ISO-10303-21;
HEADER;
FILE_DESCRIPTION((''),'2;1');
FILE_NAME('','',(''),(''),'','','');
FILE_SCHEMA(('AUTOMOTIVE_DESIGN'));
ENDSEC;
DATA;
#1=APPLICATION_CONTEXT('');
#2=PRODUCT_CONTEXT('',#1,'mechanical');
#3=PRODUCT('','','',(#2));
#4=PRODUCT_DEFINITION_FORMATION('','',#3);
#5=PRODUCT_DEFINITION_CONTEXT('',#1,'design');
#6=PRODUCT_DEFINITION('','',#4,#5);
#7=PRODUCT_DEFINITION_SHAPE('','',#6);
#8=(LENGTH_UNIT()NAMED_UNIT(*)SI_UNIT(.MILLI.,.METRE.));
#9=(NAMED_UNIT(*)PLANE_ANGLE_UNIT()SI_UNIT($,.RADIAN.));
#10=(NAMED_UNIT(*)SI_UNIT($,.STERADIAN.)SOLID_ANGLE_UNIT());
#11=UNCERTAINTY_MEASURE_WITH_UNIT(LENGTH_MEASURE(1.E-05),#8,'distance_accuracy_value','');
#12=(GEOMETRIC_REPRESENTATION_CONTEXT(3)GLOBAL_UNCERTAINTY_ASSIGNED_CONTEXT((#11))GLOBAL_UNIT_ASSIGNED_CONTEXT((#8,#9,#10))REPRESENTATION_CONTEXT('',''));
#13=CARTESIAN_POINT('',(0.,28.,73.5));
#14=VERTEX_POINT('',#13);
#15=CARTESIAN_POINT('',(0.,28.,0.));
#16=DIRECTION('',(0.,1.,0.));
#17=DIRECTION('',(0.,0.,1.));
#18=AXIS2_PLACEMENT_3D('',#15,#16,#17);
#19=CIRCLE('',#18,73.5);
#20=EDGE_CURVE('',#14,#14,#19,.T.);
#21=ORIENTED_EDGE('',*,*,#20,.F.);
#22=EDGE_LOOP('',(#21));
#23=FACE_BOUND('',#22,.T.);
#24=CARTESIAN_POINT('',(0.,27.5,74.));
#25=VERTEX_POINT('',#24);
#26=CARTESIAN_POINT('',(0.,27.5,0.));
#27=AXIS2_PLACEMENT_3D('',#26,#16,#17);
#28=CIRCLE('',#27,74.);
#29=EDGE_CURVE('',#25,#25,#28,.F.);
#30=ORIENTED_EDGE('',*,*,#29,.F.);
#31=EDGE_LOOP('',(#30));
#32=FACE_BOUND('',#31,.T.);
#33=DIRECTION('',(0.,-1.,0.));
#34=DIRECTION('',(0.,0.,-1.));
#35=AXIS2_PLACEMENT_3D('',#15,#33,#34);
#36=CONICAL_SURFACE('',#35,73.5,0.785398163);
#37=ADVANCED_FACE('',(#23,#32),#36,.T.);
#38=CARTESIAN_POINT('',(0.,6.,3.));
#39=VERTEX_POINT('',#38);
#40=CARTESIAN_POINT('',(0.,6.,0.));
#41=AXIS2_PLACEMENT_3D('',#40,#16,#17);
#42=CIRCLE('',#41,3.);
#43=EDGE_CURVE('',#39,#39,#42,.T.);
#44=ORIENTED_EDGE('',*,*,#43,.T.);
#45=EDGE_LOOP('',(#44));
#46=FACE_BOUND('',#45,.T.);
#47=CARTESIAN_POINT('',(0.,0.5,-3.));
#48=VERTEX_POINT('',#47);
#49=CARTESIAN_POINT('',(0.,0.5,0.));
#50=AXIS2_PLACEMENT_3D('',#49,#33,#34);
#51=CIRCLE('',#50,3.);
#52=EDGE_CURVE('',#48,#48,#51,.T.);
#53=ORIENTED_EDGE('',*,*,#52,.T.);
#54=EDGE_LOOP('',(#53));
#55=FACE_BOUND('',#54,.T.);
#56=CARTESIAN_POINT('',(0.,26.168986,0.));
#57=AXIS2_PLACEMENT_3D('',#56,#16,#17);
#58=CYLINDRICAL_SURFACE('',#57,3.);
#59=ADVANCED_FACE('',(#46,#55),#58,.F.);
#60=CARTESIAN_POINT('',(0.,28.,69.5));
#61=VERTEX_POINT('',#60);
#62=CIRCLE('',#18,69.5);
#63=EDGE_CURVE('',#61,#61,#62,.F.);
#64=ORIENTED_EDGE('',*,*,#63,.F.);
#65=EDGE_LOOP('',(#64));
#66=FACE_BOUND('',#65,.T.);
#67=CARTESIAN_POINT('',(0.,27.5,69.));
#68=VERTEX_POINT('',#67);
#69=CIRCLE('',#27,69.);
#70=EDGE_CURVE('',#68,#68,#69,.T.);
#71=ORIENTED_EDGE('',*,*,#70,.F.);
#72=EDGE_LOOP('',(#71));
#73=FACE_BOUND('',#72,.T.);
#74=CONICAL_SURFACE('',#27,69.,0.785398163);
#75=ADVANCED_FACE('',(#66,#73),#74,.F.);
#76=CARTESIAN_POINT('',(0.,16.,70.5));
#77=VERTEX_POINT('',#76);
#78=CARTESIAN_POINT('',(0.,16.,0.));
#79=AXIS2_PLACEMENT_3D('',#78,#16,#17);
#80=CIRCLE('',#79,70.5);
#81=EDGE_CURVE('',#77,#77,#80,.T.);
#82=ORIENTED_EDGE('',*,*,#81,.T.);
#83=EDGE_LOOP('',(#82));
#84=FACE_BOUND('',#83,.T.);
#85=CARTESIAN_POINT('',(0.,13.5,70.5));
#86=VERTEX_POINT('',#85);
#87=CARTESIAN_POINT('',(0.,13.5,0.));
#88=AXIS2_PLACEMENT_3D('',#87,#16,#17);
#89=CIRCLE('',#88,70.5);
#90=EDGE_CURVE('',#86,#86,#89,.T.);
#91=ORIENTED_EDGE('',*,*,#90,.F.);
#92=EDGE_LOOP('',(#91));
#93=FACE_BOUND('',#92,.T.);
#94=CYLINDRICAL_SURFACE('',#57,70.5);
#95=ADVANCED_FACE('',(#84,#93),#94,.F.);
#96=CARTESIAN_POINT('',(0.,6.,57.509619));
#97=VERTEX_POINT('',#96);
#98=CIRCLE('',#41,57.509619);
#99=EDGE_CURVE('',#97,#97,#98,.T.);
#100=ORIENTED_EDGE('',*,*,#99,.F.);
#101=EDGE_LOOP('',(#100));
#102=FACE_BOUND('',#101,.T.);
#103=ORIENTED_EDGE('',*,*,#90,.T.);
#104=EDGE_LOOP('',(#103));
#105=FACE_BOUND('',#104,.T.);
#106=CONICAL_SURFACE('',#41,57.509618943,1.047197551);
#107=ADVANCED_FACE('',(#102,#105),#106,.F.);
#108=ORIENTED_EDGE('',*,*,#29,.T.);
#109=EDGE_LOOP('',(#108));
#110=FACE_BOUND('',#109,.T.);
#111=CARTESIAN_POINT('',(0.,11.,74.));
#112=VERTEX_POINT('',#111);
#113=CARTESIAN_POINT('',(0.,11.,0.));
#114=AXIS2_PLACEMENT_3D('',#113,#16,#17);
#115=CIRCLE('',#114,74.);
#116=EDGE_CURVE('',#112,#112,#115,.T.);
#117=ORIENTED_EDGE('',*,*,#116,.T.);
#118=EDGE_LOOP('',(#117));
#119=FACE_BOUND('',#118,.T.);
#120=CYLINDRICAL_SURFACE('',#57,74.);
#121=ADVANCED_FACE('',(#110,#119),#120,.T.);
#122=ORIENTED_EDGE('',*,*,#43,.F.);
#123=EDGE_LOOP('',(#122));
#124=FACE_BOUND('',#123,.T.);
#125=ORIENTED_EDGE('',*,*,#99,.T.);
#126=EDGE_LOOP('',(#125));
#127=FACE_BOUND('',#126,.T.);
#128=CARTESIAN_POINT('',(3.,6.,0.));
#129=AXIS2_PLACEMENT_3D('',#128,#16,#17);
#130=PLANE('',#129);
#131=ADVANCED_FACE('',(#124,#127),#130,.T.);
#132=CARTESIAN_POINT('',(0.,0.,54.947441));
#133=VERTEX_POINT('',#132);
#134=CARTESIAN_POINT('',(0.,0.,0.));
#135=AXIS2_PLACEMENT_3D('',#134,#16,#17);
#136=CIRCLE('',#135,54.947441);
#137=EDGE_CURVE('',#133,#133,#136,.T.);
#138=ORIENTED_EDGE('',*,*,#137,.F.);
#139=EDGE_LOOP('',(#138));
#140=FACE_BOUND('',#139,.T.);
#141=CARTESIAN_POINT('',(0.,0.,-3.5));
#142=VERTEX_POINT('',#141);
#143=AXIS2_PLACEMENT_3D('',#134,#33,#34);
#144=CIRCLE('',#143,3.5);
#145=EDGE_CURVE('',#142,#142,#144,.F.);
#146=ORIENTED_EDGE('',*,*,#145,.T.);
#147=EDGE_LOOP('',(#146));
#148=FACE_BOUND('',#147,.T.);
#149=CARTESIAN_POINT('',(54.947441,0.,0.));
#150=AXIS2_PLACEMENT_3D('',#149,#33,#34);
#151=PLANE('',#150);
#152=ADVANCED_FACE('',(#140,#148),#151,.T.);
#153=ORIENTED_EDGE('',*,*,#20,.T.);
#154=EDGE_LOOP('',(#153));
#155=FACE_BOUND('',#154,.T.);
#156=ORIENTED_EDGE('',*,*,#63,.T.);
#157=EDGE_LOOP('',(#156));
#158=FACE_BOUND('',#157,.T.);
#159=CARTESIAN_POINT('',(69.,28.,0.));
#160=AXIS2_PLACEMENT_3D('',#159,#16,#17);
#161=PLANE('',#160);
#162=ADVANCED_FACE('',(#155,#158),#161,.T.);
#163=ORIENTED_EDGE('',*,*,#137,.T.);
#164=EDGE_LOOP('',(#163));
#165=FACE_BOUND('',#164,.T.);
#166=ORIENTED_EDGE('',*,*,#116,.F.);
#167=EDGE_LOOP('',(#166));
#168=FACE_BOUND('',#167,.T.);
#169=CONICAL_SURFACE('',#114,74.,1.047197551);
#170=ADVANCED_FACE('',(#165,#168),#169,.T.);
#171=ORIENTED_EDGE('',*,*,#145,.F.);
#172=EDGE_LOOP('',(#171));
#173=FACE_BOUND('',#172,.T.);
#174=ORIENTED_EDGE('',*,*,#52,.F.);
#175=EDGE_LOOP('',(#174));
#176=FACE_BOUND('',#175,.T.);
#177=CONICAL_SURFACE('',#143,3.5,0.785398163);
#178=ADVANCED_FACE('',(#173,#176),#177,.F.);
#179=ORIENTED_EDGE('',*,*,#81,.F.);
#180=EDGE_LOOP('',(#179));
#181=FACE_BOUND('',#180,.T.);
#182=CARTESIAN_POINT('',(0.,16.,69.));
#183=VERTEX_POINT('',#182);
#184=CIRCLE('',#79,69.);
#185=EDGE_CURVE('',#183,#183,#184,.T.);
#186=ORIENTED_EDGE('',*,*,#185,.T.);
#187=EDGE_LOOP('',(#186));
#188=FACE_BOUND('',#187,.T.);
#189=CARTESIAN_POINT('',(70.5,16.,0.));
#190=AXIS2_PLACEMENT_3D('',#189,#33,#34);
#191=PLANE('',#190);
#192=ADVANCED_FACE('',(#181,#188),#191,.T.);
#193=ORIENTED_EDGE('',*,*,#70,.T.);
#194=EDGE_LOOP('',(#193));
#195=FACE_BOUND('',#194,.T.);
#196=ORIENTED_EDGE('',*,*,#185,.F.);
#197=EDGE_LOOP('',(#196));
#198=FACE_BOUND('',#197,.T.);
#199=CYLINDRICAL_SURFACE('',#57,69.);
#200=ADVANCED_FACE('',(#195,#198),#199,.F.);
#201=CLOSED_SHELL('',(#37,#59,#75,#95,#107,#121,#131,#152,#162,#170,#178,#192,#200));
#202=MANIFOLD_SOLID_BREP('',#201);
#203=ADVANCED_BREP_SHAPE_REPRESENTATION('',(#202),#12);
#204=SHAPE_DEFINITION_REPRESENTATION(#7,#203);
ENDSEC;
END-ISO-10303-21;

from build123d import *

# Parameters (mm, degrees)
CHAMFER_1_SIZE = 0.5


with BuildPart() as part:
    # Эскиз1 → Повернуть1 (revolve)
    with BuildSketch(Plane.XY):
        Polygon((-74, 28), (-74, 11), (-54.947441117, 0), (-3, 0), (-3, 6), (-57.509618943, 6), (-70.5, 13.5), (-70.5, 16), (-69, 16), (-69, 28), align=None)
    revolve(axis=Axis((0, 26.168985987, 0), (0, -1, 0)))

    # Фаска1
    chamfer_1_edges = [part.edges().sort_by_distance(p)[0] for p in [
        (3, 0, 0),
        (74, 28, 0),
        (69, 28, 0),
    ]]
    chamfer(chamfer_1_edges, length=CHAMFER_1_SIZE)


solid = part.part
